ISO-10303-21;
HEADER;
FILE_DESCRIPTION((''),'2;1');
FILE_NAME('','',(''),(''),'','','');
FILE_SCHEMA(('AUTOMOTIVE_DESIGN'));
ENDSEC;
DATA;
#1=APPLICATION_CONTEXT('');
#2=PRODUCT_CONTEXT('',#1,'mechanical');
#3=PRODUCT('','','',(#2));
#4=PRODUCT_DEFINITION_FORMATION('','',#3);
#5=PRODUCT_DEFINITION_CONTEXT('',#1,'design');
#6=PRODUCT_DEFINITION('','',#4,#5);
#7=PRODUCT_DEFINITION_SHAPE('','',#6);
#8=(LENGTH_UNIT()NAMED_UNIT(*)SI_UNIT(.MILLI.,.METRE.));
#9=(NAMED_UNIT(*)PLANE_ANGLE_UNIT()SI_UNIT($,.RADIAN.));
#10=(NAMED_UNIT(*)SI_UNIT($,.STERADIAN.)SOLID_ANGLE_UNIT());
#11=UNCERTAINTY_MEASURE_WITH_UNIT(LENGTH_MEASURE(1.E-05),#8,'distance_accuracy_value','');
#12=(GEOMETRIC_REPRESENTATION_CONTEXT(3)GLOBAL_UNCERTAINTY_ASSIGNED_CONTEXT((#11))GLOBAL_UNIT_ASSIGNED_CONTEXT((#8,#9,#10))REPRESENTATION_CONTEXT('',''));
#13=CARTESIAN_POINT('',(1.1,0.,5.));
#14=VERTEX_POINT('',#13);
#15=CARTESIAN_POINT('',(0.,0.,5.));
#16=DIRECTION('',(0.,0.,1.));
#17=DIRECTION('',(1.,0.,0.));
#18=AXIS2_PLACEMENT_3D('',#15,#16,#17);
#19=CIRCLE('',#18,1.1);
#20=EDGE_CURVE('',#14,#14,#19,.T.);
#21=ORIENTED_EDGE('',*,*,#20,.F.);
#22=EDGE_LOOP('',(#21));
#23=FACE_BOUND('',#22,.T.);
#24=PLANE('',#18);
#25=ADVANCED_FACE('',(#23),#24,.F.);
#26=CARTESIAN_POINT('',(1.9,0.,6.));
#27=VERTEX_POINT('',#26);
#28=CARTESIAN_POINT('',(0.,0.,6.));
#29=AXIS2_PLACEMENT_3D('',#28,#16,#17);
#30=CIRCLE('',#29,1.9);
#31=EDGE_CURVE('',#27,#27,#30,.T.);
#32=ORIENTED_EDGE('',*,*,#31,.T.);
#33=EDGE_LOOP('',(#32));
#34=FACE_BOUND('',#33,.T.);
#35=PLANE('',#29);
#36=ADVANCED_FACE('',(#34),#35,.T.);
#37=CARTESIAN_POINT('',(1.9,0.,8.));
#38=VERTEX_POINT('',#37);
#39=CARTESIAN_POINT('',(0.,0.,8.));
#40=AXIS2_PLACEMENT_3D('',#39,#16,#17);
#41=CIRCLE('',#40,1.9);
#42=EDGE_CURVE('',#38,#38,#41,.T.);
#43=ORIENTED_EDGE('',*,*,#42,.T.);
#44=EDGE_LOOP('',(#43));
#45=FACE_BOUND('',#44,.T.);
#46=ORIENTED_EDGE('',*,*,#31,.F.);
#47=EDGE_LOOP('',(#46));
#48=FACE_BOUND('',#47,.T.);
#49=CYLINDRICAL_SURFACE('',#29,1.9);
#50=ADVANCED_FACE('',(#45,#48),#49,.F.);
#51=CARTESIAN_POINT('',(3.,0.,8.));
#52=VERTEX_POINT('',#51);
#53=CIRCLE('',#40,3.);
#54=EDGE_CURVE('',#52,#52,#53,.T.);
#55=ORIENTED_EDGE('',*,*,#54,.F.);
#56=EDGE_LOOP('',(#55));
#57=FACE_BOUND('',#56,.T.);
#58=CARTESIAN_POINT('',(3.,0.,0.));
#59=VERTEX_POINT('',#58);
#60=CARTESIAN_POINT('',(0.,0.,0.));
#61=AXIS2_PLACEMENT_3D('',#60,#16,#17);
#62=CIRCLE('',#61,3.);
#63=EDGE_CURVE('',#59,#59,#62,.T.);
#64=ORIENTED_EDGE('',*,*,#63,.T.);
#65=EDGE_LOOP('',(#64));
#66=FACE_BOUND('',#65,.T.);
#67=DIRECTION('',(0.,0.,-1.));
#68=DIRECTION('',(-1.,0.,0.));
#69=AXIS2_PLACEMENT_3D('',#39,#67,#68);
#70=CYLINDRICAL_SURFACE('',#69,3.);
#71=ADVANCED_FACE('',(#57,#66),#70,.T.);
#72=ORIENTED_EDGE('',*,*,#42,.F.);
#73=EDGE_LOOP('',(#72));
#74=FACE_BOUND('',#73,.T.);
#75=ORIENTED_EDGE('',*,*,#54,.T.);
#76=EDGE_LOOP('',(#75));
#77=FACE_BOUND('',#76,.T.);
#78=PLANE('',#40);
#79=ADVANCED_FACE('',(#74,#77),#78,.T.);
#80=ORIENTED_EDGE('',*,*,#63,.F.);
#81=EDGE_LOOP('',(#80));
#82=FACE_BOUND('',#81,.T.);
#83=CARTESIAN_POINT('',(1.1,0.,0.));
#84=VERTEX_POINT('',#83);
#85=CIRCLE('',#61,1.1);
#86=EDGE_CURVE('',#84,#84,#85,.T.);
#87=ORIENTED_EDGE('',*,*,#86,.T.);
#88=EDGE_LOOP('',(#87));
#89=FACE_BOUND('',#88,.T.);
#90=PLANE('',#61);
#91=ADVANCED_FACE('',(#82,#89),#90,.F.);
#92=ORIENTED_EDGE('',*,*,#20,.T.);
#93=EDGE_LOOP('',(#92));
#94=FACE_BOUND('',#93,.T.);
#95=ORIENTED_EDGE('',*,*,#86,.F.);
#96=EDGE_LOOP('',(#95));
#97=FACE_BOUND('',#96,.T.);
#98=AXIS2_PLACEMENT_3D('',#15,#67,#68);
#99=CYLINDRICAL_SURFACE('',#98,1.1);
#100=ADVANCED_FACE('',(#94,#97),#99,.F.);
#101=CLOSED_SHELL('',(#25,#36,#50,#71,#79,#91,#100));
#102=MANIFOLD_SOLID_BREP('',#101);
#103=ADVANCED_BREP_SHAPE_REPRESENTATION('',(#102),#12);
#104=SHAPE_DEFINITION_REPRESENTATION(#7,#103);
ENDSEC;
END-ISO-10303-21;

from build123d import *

# Parameters (mm, degrees)
SKETCH1_R           = 3
SKETCH1_R_2         = 1.9
SKETCH1_R_3         = 1.1
BOSS_EXTRUDE1_DEPTH = 8
CUT_EXTRUDE1_START  = 8
SKETCH1_3_R         = 1.9
SKETCH1_3_R_2       = 1.1
CUT_EXTRUDE1_DEPTH  = 2
SKETCH1_4_R         = 1.1
CUT_EXTRUDE2_DEPTH  = 5


with BuildPart() as part:
    # Sketch1 → Boss-Extrude1 (new body)
    # profile 1 of 3: a face of its own
    with BuildSketch(Plane(origin=(0, 0, 0), x_dir=(0, 1, 0), z_dir=(0, 0, 1))):
        with Locations(Location((0, 0, 0), (0, 0, 270))):
            Circle(SKETCH1_R)
        Circle(SKETCH1_R_2, mode=Mode.SUBTRACT)
    # profile 2 of 3: a face of its own
    with BuildSketch(Plane(origin=(0, 0, 0), x_dir=(0, 1, 0), z_dir=(0, 0, 1))):
        Circle(SKETCH1_R_2)
        Circle(SKETCH1_R_3, mode=Mode.SUBTRACT)
    # profile 3 of 3: a face of its own
    with BuildSketch(Plane(origin=(0, 0, 0), x_dir=(0, 1, 0), z_dir=(0, 0, 1))):
        Circle(SKETCH1_R_3)
    extrude(amount=BOSS_EXTRUDE1_DEPTH)

    # Sketch1<3> → Cut-Extrude1 (cut)
    # profile 1 of 2: a face of its own
    with BuildSketch(Plane(origin=(0, 0, 0), x_dir=(0, 1, 0), z_dir=(0, 0, 1)).offset(CUT_EXTRUDE1_START)):
        with Locations(Location((0, 0, 0), (0, 0, 270))):
            Circle(SKETCH1_3_R)
        Circle(SKETCH1_3_R_2, mode=Mode.SUBTRACT)
    # profile 2 of 2: a face of its own
    with BuildSketch(Plane(origin=(0, 0, 0), x_dir=(0, 1, 0), z_dir=(0, 0, 1)).offset(CUT_EXTRUDE1_START)):
        Circle(SKETCH1_3_R_2)
    extrude(amount=-CUT_EXTRUDE1_DEPTH, mode=Mode.SUBTRACT)

    # Sketch1<4> → Cut-Extrude2 (cut)
    with BuildSketch(Plane(origin=(0, 0, 0), x_dir=(0, 1, 0), z_dir=(0, 0, 1))):
        with Locations(Location((0, 0, 0), (0, 0, 270))):
            Circle(SKETCH1_4_R)
    extrude(amount=CUT_EXTRUDE2_DEPTH, mode=Mode.SUBTRACT)


solid = part.part
